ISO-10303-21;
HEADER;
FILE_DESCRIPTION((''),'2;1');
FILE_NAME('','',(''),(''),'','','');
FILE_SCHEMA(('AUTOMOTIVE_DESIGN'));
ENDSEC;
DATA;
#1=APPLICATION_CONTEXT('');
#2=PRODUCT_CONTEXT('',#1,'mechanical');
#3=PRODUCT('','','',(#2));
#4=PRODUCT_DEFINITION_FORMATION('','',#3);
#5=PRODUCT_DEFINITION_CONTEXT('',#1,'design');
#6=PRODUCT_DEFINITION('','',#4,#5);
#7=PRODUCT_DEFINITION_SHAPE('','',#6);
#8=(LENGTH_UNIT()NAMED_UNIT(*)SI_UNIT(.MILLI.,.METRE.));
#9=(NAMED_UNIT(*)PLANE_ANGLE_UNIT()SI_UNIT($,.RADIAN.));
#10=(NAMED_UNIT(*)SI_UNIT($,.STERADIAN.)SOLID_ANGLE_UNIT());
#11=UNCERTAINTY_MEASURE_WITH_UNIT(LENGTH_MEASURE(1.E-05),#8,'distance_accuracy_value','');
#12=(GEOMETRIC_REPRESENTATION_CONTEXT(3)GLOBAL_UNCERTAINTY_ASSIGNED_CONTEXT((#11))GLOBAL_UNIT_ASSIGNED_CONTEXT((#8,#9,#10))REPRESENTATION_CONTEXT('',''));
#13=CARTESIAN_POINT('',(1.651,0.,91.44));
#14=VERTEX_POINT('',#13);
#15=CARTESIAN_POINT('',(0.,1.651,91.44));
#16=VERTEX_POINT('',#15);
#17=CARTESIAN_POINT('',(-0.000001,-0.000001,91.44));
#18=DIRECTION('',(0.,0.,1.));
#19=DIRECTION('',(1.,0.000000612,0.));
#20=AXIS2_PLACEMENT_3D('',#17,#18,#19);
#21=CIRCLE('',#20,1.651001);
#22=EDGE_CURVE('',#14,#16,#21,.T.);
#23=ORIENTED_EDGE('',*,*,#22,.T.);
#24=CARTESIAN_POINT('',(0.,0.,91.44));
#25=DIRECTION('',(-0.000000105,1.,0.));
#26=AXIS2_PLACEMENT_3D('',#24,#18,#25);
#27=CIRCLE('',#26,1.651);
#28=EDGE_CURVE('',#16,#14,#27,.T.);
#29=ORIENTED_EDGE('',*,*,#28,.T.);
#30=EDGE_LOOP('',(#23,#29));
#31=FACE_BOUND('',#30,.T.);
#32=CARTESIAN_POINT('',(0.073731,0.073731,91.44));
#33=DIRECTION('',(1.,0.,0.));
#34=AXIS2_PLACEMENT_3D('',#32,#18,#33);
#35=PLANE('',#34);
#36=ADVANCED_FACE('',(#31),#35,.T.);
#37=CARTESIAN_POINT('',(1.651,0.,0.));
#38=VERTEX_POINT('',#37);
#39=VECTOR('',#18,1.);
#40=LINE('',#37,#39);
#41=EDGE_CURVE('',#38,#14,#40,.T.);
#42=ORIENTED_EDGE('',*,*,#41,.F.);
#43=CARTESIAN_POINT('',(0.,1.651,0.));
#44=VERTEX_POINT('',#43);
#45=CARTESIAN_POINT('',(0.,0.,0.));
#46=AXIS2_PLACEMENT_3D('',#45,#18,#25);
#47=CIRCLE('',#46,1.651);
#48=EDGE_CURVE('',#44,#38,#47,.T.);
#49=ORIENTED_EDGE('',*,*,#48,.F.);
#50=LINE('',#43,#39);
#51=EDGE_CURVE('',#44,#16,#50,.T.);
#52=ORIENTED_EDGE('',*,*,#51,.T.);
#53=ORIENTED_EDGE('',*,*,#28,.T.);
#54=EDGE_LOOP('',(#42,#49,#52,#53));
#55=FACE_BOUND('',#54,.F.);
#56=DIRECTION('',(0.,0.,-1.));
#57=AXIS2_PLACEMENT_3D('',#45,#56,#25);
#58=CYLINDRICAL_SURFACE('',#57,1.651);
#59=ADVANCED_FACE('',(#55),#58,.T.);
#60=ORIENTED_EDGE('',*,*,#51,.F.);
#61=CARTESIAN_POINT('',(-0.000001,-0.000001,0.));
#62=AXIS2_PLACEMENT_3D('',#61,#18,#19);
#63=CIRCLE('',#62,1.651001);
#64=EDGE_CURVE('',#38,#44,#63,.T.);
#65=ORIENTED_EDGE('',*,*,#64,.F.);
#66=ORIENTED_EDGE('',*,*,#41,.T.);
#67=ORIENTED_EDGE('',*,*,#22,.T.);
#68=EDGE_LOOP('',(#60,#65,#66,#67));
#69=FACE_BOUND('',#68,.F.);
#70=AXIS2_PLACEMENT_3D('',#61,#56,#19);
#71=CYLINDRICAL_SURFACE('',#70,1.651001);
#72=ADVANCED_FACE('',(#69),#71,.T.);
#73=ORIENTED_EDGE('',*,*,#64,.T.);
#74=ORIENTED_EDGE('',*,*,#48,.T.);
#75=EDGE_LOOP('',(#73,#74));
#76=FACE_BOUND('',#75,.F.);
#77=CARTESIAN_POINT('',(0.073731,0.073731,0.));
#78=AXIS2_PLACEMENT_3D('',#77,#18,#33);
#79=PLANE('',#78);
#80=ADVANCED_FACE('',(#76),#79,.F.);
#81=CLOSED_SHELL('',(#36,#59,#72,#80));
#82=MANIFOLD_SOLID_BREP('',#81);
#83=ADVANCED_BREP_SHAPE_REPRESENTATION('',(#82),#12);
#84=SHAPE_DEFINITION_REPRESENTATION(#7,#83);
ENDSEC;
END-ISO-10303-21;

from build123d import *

# Parameters (mm, degrees)
F1_DEPTH = 91.44


with BuildPart() as f1:
    # F0 (on Top) → F1 (new body)
    with BuildSketch(Plane.XY):
        with BuildLine():
            ThreePointArc((0, 1.651), (-1.167433, -1.167433), (1.651, 0))
            ThreePointArc((1.651, 0), (1.167433, 1.167433), (0, 1.651))
        make_face()
    extrude(amount=F1_DEPTH)


solid = f1.part
